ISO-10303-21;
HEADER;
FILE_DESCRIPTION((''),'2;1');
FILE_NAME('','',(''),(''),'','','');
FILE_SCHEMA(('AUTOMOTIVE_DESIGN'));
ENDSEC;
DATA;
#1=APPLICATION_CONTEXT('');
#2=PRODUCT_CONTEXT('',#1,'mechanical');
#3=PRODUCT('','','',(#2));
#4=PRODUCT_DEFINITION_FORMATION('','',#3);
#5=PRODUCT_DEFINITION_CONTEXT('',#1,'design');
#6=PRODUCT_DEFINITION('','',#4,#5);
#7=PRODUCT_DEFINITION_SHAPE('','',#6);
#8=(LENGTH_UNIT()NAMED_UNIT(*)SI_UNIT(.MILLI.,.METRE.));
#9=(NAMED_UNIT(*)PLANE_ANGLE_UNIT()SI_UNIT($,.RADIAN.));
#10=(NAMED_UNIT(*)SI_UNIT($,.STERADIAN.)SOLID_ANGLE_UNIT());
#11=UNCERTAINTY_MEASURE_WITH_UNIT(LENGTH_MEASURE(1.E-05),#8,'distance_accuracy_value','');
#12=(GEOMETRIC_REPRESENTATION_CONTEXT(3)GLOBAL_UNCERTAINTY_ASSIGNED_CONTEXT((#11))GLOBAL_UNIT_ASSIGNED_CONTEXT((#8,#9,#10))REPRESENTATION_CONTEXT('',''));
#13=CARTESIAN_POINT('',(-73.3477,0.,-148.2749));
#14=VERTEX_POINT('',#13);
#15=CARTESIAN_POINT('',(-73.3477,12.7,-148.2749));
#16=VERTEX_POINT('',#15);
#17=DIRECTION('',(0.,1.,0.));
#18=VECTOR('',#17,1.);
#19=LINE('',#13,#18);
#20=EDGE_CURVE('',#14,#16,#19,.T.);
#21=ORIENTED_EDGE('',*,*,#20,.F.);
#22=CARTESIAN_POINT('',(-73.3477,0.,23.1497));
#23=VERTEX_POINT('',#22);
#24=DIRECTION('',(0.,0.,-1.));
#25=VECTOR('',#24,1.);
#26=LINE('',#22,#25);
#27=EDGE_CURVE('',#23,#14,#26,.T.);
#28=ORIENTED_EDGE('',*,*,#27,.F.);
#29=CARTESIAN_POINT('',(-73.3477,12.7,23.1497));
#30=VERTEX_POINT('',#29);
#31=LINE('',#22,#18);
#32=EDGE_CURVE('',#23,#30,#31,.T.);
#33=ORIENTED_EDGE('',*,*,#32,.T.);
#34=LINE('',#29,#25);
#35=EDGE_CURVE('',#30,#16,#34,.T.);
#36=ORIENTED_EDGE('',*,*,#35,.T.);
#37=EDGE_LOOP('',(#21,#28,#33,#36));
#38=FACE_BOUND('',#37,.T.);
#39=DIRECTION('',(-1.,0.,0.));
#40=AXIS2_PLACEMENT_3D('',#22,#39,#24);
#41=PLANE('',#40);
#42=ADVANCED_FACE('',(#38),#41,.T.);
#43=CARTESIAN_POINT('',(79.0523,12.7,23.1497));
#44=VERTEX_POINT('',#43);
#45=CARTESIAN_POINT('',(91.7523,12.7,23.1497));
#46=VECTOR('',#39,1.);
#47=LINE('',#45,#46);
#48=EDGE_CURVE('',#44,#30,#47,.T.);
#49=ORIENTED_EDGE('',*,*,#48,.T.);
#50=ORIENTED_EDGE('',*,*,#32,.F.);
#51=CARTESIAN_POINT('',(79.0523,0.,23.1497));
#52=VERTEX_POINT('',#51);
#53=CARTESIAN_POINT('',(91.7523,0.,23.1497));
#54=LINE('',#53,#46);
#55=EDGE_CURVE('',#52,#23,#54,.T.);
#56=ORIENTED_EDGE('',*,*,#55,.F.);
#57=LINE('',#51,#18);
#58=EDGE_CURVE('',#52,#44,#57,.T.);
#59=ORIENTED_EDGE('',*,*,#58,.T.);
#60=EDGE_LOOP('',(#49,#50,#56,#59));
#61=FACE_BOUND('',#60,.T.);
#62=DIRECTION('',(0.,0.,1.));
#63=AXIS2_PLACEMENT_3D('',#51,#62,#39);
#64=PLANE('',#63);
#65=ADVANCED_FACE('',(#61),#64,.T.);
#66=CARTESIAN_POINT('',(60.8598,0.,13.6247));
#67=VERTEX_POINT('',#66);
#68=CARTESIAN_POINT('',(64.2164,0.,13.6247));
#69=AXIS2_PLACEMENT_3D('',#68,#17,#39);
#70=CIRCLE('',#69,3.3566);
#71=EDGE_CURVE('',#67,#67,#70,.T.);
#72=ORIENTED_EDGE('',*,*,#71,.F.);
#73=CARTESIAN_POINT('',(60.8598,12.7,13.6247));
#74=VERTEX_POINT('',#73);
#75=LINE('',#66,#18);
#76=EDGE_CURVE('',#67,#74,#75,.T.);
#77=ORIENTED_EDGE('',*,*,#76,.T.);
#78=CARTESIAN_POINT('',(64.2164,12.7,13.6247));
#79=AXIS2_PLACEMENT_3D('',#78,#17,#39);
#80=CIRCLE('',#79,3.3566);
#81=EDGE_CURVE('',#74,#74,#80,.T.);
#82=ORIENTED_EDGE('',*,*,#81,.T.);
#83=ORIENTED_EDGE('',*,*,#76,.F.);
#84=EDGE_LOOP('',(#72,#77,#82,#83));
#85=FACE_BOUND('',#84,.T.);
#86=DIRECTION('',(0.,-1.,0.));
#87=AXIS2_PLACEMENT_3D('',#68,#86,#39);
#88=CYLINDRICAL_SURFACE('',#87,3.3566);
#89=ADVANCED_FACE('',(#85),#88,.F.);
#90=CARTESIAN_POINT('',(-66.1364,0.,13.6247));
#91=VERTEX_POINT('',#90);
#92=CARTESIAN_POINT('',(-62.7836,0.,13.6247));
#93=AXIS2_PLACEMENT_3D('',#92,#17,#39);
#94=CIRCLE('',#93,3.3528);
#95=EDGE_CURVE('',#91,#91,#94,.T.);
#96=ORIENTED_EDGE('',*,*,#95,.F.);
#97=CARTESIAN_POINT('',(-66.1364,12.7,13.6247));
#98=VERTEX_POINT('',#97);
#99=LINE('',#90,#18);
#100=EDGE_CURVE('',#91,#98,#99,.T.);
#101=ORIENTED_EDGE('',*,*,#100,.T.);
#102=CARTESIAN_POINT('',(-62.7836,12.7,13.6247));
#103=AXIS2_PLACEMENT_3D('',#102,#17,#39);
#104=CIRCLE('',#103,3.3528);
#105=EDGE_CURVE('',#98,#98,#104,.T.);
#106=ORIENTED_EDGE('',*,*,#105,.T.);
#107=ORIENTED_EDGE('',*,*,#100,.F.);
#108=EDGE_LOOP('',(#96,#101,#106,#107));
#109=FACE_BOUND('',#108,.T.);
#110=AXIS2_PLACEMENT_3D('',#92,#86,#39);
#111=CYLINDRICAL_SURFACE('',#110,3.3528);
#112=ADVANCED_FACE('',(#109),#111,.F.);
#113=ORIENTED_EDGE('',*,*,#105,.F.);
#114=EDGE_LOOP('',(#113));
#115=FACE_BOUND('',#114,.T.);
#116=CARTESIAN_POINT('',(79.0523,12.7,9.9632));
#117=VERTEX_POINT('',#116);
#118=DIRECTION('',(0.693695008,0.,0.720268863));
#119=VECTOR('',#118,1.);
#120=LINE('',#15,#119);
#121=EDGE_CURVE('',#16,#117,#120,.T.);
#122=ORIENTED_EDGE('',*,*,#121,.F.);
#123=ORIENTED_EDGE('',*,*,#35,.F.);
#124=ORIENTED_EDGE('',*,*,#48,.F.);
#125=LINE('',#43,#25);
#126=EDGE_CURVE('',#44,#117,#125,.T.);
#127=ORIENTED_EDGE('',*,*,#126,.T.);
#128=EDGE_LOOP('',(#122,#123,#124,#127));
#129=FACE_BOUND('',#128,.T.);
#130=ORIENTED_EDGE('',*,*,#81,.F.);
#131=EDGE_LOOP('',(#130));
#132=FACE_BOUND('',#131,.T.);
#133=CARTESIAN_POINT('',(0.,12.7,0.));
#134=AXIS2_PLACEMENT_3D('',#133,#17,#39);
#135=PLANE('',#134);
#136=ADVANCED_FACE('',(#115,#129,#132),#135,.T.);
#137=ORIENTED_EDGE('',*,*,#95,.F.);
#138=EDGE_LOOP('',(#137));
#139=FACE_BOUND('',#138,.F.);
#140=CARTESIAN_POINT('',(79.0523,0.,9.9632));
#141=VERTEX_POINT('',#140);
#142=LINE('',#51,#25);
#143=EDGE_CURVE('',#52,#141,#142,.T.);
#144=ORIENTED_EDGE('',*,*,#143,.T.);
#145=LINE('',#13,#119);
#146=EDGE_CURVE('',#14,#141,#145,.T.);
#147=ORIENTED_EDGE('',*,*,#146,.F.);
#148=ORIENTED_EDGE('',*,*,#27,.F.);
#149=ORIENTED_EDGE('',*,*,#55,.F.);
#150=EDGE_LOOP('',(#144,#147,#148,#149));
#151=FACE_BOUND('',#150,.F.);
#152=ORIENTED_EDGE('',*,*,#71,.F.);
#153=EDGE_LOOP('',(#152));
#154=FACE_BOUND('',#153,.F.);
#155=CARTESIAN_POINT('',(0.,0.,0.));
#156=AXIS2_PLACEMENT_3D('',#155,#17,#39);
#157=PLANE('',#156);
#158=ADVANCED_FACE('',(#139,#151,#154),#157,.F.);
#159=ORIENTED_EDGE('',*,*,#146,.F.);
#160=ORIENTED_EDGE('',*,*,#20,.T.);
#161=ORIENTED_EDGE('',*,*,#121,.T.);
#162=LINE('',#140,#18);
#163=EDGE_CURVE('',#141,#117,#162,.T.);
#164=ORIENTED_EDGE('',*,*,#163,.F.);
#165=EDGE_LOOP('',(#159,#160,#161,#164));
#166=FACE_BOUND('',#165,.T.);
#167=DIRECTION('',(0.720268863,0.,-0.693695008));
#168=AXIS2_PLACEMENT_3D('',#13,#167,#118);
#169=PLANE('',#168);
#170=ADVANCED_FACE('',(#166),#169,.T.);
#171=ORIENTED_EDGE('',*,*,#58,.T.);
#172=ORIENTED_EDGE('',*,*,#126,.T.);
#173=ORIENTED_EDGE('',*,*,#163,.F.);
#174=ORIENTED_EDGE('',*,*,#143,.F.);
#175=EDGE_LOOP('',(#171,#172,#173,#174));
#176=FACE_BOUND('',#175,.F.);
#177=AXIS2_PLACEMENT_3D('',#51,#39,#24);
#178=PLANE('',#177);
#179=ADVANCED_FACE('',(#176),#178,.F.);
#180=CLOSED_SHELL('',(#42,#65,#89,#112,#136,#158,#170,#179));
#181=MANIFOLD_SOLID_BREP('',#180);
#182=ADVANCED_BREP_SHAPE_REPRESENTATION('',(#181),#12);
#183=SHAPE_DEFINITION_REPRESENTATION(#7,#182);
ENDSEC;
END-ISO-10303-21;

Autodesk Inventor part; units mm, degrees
ref_plane "YZ Plane" through (0, 0, 0) normal (1, 0, 0) x (0, 1, 0)
ref_plane "XZ Plane" through (0, 0, 0) normal (0, 1, 0) x (-1, 0, 0)
ref_plane "XY Plane" through (0, 0, 0) normal (0, 0, 1) x (1, 0, 0)
sketch "Sketch1" plane through (0, 0, 0) normal (0, 1, 0) x (-1, 0, 0)
  line L0 (-91.7523, 23.1497) -> (73.3477, 23.1497)
  line L1 (73.3477, 23.1497) -> (73.3477, -148.2749)
  line L2 (73.3477, -148.2749) -> (-91.7523, 23.1497)
  circle A0 centre (62.7836, 13.6247) radius 3.3528
  circle A1 centre (-64.2164, 13.6247) radius 3.3566
  line L3 (-79.0523, 23.1497) -> (-79.0523, 9.9632)
  point P0 (0, 0)
  dimension "d0" = 165.1
  dimension "d1" = 171.4246
  dimension "d2" = 6.7056
  dimension "d3" = 9.525
  dimension "d4" = 6.7132
  dimension "d5" = 127
  dimension "d8" = 12.7
extrude "Extrusion1" add sketch "Sketch1" along normal blind 12.7 contours L0 L1 L2 L3
properties part number "BallGuidePly"
